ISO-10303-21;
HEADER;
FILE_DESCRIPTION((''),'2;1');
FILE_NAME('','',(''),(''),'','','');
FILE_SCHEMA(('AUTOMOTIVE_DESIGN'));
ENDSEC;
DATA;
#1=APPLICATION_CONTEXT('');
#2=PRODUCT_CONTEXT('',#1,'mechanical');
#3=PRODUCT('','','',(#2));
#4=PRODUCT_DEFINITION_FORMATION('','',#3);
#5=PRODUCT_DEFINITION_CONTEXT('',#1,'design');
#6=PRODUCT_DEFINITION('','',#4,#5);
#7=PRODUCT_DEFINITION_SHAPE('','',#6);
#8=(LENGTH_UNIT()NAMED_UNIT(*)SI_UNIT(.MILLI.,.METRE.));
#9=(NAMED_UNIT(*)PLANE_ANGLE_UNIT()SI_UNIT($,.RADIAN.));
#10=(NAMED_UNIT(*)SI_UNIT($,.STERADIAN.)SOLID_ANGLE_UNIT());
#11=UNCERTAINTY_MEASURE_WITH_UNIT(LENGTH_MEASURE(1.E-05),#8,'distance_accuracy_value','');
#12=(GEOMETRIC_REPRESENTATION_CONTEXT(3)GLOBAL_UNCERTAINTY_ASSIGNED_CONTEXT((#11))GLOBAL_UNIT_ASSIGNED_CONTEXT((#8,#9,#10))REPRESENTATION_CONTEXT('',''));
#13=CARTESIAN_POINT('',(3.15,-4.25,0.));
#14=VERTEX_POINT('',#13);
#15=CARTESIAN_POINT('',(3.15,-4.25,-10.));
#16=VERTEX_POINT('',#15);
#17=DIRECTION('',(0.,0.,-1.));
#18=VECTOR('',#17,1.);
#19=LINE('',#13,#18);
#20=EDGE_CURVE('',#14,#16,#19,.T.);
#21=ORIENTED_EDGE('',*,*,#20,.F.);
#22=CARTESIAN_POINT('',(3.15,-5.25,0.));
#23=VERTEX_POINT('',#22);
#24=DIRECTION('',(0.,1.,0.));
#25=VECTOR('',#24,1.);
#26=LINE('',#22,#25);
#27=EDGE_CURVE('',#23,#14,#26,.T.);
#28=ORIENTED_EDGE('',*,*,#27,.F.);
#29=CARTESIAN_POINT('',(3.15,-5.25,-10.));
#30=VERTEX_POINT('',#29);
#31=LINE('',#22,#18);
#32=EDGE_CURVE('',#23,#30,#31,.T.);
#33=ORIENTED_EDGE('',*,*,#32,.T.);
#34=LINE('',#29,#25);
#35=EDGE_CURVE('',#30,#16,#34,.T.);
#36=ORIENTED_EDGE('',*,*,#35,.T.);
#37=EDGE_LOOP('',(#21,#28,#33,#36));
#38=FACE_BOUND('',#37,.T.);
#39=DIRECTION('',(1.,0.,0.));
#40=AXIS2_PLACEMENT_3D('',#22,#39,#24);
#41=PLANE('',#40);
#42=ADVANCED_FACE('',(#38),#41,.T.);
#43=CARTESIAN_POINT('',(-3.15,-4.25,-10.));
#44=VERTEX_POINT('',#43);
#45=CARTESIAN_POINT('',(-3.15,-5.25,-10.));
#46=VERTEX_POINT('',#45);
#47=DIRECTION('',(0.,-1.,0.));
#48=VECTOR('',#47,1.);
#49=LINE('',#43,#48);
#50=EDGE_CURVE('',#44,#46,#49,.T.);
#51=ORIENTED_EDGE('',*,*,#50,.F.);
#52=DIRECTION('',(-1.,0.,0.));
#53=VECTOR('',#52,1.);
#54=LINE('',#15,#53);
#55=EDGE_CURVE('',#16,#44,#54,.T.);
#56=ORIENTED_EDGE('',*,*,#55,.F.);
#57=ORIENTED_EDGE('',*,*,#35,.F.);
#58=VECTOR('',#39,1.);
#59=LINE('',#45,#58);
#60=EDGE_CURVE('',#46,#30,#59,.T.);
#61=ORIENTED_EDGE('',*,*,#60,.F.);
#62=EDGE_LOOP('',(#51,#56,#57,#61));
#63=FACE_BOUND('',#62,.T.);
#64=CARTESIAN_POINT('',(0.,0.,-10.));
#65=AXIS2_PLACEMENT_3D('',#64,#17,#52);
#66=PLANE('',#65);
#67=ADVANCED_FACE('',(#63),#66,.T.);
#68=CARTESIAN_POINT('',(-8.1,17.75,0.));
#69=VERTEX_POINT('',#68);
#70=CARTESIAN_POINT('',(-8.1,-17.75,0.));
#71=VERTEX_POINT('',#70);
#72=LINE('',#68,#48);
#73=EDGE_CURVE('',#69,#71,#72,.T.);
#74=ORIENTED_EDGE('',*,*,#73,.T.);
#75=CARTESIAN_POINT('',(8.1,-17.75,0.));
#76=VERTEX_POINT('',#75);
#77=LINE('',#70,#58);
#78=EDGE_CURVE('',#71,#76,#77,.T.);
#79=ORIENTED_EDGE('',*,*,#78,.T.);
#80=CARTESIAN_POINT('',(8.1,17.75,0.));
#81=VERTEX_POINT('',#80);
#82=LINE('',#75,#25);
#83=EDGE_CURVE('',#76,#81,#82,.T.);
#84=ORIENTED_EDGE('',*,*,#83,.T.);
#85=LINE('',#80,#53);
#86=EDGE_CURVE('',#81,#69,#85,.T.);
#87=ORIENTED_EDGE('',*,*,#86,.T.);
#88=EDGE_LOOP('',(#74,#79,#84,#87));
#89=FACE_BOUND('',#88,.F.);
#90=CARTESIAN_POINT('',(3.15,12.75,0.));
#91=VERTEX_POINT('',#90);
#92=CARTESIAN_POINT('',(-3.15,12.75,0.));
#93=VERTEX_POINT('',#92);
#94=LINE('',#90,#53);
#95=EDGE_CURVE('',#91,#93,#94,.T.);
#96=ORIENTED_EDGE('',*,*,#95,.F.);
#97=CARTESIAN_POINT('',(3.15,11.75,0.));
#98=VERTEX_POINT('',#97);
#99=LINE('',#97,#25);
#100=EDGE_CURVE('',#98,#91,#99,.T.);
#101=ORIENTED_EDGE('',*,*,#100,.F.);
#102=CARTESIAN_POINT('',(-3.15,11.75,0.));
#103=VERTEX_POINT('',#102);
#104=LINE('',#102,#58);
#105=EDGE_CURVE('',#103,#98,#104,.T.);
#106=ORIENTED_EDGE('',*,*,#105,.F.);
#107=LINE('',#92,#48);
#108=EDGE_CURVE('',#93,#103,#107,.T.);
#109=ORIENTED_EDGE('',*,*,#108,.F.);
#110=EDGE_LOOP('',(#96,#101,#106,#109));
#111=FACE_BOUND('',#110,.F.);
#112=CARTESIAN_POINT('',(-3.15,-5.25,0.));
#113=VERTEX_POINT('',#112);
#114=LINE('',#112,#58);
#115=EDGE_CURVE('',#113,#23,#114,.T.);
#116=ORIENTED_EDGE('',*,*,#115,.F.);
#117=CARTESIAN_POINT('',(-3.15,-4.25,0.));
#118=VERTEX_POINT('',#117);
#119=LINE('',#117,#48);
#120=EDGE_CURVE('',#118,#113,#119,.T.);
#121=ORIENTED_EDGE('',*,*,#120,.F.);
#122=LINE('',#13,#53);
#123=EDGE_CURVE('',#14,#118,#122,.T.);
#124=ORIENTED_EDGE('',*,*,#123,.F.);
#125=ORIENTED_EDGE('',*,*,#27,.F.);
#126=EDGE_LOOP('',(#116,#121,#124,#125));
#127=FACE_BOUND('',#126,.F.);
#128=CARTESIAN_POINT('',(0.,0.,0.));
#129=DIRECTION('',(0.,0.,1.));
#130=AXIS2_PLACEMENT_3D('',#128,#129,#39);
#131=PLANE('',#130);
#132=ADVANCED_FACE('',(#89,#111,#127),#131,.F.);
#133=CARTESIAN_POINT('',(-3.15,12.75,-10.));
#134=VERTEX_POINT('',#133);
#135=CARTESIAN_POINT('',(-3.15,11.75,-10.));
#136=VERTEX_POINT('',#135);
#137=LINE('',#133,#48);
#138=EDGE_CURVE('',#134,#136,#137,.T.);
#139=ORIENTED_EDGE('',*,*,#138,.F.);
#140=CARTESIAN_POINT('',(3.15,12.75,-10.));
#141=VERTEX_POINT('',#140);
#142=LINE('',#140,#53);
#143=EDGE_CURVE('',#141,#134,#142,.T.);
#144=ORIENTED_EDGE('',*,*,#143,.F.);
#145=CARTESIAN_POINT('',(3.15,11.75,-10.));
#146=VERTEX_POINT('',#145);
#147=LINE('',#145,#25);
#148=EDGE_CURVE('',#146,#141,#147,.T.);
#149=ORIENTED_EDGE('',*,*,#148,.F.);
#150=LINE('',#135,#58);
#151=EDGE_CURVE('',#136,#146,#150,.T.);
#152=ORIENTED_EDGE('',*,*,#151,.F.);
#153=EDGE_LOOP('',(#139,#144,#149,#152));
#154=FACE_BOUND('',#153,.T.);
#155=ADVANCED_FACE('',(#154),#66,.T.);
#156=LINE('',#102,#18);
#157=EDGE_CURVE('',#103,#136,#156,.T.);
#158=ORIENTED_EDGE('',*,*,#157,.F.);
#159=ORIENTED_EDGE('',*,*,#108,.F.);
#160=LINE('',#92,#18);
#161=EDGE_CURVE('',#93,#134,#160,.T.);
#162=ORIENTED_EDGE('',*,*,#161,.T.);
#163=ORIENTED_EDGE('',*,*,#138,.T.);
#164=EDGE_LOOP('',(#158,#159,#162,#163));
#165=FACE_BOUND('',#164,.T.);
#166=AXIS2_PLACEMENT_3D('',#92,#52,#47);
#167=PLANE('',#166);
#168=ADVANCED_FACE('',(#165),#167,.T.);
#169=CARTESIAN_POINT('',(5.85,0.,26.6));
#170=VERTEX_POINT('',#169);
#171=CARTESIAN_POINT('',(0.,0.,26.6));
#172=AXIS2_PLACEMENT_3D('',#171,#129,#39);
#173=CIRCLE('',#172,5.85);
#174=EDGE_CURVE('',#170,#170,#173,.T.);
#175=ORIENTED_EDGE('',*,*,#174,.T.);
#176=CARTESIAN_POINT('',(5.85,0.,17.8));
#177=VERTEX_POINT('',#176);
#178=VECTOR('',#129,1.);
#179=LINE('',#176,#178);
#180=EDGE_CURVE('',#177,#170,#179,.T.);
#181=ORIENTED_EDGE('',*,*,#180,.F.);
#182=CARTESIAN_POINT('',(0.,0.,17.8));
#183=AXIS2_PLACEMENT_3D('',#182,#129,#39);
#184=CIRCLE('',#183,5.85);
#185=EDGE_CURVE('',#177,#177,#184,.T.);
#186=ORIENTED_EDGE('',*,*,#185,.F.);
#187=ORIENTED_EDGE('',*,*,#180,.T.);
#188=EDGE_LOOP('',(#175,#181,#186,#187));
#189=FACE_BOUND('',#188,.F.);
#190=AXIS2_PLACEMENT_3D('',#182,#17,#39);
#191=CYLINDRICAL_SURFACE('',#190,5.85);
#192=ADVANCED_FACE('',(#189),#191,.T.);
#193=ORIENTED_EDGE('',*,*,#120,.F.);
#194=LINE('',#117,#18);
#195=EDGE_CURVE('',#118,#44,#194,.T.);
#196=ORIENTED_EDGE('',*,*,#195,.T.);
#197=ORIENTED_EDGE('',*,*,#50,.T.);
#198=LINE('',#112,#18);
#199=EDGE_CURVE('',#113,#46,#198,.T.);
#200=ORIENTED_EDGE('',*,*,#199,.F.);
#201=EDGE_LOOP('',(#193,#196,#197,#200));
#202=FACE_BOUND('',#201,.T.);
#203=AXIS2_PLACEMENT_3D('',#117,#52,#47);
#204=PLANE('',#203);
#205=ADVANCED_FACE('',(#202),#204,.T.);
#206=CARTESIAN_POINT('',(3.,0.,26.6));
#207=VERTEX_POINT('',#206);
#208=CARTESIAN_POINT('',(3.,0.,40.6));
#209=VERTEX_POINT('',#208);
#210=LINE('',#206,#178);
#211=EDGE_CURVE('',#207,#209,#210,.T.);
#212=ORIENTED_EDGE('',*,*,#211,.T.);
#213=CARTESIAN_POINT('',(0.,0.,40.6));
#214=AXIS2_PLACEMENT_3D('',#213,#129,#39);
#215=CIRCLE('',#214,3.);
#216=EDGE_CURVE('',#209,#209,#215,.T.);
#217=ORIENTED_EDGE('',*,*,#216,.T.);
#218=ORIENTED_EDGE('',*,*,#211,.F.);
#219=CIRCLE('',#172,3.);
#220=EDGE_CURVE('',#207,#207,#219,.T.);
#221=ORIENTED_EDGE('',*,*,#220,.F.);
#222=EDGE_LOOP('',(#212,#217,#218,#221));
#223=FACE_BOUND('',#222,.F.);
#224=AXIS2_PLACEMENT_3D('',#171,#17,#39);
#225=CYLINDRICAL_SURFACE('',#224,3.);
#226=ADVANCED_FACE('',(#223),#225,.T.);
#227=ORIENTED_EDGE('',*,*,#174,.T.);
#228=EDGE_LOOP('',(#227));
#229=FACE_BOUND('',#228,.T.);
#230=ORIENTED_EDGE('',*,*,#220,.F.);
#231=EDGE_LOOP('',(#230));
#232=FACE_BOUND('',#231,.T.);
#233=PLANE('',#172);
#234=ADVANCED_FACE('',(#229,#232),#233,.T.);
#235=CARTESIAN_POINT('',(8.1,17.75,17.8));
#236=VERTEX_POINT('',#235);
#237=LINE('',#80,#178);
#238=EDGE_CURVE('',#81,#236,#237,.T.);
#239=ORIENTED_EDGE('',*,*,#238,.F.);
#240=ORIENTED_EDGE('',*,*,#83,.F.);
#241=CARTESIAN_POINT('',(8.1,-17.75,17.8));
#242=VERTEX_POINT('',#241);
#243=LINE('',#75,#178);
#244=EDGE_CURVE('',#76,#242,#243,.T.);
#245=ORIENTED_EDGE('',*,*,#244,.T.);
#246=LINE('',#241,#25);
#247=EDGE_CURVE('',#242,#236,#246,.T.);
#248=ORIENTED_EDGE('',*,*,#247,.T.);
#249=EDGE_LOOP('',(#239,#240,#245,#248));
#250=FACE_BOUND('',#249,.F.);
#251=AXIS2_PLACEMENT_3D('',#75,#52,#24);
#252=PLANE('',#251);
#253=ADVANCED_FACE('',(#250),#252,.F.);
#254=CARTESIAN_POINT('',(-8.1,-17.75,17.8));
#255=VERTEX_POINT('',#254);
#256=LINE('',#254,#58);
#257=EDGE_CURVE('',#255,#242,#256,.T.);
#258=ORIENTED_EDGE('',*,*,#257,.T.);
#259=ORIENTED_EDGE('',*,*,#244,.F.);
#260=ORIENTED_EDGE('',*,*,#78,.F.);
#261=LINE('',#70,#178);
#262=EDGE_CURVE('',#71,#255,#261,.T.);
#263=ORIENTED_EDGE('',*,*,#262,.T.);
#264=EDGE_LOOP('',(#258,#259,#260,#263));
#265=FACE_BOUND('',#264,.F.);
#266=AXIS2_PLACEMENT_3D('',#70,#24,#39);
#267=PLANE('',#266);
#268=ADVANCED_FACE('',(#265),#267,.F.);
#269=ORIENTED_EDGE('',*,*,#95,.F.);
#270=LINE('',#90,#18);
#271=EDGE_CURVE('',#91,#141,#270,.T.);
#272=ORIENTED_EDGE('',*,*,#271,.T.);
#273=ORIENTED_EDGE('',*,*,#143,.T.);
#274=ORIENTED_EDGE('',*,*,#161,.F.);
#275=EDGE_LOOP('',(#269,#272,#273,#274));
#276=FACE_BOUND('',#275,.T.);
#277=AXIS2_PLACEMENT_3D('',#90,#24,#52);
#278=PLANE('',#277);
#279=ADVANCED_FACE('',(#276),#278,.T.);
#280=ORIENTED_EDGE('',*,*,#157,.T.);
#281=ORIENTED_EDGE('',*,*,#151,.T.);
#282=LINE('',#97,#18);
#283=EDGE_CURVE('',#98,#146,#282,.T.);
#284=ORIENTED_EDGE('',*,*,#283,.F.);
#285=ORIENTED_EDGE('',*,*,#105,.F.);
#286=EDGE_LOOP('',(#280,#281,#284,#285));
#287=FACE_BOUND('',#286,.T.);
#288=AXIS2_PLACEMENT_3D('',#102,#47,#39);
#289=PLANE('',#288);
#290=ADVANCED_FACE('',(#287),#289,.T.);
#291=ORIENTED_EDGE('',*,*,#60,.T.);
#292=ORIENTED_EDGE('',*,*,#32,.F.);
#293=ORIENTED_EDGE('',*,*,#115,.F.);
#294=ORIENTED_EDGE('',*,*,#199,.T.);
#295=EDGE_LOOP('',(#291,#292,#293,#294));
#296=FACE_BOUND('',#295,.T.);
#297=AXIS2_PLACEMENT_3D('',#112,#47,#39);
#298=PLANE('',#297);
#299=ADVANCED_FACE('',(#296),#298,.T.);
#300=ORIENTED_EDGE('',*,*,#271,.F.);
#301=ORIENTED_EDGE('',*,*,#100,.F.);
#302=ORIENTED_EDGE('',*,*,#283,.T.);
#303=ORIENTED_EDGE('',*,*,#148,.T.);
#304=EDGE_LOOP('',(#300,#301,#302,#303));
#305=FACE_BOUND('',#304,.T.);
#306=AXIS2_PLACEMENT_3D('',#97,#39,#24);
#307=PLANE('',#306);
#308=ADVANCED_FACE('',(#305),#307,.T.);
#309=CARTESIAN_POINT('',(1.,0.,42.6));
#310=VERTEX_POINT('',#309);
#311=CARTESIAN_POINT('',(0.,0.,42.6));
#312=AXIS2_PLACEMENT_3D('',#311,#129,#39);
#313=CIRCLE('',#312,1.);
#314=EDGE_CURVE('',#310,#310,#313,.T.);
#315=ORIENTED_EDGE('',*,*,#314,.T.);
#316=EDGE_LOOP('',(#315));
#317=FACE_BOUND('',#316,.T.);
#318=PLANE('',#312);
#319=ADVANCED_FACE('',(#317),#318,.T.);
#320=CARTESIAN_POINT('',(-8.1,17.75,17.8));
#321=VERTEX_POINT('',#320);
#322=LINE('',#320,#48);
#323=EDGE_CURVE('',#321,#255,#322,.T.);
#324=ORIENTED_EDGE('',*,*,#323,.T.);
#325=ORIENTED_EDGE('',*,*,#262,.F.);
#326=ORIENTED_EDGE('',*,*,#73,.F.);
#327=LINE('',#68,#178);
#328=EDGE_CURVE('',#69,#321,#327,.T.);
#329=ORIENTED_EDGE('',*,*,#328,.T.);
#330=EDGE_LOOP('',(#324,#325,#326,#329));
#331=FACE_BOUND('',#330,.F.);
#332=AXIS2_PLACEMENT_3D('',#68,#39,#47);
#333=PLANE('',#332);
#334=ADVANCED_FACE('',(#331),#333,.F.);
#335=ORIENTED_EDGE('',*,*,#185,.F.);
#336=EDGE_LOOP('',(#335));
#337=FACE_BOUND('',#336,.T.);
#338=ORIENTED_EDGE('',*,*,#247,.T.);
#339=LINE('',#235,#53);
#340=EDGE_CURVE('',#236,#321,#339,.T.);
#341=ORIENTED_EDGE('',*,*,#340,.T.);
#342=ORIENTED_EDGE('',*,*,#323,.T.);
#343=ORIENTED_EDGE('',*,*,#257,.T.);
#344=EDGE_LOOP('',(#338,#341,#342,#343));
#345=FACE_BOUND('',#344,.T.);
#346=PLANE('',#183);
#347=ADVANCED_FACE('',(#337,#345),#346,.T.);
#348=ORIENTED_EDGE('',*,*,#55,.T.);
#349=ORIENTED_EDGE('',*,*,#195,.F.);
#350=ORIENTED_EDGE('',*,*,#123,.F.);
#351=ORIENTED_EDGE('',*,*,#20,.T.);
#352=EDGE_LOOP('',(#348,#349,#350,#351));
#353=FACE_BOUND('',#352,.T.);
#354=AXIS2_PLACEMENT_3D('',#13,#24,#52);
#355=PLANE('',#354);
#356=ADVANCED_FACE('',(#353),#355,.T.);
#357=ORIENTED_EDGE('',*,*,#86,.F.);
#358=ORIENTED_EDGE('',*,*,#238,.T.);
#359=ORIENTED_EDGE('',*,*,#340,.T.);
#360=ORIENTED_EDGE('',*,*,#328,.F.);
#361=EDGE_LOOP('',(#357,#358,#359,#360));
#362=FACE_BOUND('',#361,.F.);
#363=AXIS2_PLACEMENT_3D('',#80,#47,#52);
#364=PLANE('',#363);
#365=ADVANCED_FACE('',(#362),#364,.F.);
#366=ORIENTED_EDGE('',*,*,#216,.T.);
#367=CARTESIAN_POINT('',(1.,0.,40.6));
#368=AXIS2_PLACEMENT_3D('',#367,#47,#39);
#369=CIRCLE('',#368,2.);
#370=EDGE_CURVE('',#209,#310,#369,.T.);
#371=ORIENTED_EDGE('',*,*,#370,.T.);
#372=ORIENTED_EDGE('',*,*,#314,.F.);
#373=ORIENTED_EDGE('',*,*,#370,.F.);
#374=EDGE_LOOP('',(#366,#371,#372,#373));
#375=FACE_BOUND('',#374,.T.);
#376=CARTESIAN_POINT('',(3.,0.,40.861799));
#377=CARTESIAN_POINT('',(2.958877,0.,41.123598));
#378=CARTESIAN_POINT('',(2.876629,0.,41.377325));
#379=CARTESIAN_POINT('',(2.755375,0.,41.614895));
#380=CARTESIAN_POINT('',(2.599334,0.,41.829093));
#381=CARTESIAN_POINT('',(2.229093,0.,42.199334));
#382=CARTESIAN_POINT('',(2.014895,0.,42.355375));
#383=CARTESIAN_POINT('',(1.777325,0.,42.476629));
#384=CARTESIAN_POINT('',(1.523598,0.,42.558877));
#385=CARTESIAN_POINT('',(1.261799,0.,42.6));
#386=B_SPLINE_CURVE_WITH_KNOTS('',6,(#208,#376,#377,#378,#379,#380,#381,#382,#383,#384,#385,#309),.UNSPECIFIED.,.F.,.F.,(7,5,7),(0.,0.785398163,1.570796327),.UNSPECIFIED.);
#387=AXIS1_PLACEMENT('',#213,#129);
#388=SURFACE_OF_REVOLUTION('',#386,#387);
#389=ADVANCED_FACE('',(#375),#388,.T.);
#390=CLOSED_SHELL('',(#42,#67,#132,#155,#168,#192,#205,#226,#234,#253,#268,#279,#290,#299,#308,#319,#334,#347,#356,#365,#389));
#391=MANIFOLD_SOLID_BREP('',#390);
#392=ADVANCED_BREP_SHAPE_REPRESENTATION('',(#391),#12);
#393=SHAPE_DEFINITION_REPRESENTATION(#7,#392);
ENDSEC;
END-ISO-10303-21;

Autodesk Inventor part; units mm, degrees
ref_plane "YZ Plane" through (0, 0, 0) normal (1, 0, 0) x (0, 1, 0)
ref_plane "XZ Plane" through (0, 0, 0) normal (0, 1, 0) x (-1, 0, 0)
ref_plane "XY Plane" through (0, 0, 0) normal (0, 0, 1) x (1, 0, 0)
sketch "Sketch1" plane through (0, 0, 0) normal (0, 0, 1) x (1, 0, 0)
  line L0 (-8.1, -17.75) -> (8.1, -17.75)
  line L1 (8.1, -17.75) -> (8.1, 17.75)
  line L2 (8.1, 17.75) -> (-8.1, 17.75)
  line L3 (-8.1, 17.75) -> (-8.1, -17.75)
  line L4 (-8.1, -17.75) -> (8.1, 17.75) construction
  line L5 (8.1, -17.75) -> (-8.1, 17.75) construction
  point P0 (0, 0)
  dimension "d0" = 16.2
  dimension "d1" = 35.5
extrude "Extrusion1" add sketch "Sketch1" along normal blind 17.8
sketch "Sketch2" plane through (0, 0, 17.8) normal (0, 0, 1) x (1, 0, 0)
  circle A0 centre (0, 0) radius 5.85
  dimension "d4" = 11.7
extrude "Extrusion2" add sketch "Sketch2" along normal blind 8.8
sketch "Sketch3" plane through (0, 0, 26.6) normal (0, 0, 1) x (1, 0, 0)
  circle A0 centre (0, 0) radius 3
  dimension "d7" = 6
extrude "Extrusion3" add sketch "Sketch3" along normal blind 16
fillet "Fillet1" radius 2 1 edges at (-3, 0, 42.6)
sketch "Sketch4" plane through (0, 0, 0) normal (0, 0, -1) x (-1, 0, 0)
  line L0 (-3.15, 12.75) -> (3.15, 12.75)
  line L1 (3.15, 12.75) -> (3.15, 11.75)
  line L2 (3.15, 11.75) -> (-3.15, 11.75)
  line L3 (-3.15, 11.75) -> (-3.15, 12.75)
  line L4 (-3.15, 12.75) -> (3.15, 11.75) construction
  line L5 (3.15, 12.75) -> (-3.15, 11.75) construction
  line L6 (-3.15, -4.25) -> (3.15, -4.25)
  line L7 (3.15, -4.25) -> (3.15, -5.25)
  line L8 (3.15, -5.25) -> (-3.15, -5.25)
  line L9 (-3.15, -5.25) -> (-3.15, -4.25)
  line L10 (-3.15, -4.25) -> (3.15, -5.25) construction
  line L11 (3.15, -4.25) -> (-3.15, -5.25) construction
  line L12 (-8.1, 17.75) -> (8.1, 17.75) projected
  line L13 (8.1, -17.75) -> (-8.1, -17.75) projected
  point P0 (0, 0)
  point P1 (0, 12.25)
  point P2 (0, -4.75)
  point P3 (0, 12.25)
  point P4 (0, -4.75)
  dimension "d11" = 6.3
  dimension "d12" = 1
  dimension "d13" = 6.3
  dimension "d14" = 1
  dimension "d15" = 5
  dimension "d16" = 12.5
extrude "Extrusion4" add sketch "Sketch4" along normal blind 10
thread "Thread1" size "M12x1.75" class "6g" standard "ANSI Metric M Profile" full length
properties part number "Schalter"
